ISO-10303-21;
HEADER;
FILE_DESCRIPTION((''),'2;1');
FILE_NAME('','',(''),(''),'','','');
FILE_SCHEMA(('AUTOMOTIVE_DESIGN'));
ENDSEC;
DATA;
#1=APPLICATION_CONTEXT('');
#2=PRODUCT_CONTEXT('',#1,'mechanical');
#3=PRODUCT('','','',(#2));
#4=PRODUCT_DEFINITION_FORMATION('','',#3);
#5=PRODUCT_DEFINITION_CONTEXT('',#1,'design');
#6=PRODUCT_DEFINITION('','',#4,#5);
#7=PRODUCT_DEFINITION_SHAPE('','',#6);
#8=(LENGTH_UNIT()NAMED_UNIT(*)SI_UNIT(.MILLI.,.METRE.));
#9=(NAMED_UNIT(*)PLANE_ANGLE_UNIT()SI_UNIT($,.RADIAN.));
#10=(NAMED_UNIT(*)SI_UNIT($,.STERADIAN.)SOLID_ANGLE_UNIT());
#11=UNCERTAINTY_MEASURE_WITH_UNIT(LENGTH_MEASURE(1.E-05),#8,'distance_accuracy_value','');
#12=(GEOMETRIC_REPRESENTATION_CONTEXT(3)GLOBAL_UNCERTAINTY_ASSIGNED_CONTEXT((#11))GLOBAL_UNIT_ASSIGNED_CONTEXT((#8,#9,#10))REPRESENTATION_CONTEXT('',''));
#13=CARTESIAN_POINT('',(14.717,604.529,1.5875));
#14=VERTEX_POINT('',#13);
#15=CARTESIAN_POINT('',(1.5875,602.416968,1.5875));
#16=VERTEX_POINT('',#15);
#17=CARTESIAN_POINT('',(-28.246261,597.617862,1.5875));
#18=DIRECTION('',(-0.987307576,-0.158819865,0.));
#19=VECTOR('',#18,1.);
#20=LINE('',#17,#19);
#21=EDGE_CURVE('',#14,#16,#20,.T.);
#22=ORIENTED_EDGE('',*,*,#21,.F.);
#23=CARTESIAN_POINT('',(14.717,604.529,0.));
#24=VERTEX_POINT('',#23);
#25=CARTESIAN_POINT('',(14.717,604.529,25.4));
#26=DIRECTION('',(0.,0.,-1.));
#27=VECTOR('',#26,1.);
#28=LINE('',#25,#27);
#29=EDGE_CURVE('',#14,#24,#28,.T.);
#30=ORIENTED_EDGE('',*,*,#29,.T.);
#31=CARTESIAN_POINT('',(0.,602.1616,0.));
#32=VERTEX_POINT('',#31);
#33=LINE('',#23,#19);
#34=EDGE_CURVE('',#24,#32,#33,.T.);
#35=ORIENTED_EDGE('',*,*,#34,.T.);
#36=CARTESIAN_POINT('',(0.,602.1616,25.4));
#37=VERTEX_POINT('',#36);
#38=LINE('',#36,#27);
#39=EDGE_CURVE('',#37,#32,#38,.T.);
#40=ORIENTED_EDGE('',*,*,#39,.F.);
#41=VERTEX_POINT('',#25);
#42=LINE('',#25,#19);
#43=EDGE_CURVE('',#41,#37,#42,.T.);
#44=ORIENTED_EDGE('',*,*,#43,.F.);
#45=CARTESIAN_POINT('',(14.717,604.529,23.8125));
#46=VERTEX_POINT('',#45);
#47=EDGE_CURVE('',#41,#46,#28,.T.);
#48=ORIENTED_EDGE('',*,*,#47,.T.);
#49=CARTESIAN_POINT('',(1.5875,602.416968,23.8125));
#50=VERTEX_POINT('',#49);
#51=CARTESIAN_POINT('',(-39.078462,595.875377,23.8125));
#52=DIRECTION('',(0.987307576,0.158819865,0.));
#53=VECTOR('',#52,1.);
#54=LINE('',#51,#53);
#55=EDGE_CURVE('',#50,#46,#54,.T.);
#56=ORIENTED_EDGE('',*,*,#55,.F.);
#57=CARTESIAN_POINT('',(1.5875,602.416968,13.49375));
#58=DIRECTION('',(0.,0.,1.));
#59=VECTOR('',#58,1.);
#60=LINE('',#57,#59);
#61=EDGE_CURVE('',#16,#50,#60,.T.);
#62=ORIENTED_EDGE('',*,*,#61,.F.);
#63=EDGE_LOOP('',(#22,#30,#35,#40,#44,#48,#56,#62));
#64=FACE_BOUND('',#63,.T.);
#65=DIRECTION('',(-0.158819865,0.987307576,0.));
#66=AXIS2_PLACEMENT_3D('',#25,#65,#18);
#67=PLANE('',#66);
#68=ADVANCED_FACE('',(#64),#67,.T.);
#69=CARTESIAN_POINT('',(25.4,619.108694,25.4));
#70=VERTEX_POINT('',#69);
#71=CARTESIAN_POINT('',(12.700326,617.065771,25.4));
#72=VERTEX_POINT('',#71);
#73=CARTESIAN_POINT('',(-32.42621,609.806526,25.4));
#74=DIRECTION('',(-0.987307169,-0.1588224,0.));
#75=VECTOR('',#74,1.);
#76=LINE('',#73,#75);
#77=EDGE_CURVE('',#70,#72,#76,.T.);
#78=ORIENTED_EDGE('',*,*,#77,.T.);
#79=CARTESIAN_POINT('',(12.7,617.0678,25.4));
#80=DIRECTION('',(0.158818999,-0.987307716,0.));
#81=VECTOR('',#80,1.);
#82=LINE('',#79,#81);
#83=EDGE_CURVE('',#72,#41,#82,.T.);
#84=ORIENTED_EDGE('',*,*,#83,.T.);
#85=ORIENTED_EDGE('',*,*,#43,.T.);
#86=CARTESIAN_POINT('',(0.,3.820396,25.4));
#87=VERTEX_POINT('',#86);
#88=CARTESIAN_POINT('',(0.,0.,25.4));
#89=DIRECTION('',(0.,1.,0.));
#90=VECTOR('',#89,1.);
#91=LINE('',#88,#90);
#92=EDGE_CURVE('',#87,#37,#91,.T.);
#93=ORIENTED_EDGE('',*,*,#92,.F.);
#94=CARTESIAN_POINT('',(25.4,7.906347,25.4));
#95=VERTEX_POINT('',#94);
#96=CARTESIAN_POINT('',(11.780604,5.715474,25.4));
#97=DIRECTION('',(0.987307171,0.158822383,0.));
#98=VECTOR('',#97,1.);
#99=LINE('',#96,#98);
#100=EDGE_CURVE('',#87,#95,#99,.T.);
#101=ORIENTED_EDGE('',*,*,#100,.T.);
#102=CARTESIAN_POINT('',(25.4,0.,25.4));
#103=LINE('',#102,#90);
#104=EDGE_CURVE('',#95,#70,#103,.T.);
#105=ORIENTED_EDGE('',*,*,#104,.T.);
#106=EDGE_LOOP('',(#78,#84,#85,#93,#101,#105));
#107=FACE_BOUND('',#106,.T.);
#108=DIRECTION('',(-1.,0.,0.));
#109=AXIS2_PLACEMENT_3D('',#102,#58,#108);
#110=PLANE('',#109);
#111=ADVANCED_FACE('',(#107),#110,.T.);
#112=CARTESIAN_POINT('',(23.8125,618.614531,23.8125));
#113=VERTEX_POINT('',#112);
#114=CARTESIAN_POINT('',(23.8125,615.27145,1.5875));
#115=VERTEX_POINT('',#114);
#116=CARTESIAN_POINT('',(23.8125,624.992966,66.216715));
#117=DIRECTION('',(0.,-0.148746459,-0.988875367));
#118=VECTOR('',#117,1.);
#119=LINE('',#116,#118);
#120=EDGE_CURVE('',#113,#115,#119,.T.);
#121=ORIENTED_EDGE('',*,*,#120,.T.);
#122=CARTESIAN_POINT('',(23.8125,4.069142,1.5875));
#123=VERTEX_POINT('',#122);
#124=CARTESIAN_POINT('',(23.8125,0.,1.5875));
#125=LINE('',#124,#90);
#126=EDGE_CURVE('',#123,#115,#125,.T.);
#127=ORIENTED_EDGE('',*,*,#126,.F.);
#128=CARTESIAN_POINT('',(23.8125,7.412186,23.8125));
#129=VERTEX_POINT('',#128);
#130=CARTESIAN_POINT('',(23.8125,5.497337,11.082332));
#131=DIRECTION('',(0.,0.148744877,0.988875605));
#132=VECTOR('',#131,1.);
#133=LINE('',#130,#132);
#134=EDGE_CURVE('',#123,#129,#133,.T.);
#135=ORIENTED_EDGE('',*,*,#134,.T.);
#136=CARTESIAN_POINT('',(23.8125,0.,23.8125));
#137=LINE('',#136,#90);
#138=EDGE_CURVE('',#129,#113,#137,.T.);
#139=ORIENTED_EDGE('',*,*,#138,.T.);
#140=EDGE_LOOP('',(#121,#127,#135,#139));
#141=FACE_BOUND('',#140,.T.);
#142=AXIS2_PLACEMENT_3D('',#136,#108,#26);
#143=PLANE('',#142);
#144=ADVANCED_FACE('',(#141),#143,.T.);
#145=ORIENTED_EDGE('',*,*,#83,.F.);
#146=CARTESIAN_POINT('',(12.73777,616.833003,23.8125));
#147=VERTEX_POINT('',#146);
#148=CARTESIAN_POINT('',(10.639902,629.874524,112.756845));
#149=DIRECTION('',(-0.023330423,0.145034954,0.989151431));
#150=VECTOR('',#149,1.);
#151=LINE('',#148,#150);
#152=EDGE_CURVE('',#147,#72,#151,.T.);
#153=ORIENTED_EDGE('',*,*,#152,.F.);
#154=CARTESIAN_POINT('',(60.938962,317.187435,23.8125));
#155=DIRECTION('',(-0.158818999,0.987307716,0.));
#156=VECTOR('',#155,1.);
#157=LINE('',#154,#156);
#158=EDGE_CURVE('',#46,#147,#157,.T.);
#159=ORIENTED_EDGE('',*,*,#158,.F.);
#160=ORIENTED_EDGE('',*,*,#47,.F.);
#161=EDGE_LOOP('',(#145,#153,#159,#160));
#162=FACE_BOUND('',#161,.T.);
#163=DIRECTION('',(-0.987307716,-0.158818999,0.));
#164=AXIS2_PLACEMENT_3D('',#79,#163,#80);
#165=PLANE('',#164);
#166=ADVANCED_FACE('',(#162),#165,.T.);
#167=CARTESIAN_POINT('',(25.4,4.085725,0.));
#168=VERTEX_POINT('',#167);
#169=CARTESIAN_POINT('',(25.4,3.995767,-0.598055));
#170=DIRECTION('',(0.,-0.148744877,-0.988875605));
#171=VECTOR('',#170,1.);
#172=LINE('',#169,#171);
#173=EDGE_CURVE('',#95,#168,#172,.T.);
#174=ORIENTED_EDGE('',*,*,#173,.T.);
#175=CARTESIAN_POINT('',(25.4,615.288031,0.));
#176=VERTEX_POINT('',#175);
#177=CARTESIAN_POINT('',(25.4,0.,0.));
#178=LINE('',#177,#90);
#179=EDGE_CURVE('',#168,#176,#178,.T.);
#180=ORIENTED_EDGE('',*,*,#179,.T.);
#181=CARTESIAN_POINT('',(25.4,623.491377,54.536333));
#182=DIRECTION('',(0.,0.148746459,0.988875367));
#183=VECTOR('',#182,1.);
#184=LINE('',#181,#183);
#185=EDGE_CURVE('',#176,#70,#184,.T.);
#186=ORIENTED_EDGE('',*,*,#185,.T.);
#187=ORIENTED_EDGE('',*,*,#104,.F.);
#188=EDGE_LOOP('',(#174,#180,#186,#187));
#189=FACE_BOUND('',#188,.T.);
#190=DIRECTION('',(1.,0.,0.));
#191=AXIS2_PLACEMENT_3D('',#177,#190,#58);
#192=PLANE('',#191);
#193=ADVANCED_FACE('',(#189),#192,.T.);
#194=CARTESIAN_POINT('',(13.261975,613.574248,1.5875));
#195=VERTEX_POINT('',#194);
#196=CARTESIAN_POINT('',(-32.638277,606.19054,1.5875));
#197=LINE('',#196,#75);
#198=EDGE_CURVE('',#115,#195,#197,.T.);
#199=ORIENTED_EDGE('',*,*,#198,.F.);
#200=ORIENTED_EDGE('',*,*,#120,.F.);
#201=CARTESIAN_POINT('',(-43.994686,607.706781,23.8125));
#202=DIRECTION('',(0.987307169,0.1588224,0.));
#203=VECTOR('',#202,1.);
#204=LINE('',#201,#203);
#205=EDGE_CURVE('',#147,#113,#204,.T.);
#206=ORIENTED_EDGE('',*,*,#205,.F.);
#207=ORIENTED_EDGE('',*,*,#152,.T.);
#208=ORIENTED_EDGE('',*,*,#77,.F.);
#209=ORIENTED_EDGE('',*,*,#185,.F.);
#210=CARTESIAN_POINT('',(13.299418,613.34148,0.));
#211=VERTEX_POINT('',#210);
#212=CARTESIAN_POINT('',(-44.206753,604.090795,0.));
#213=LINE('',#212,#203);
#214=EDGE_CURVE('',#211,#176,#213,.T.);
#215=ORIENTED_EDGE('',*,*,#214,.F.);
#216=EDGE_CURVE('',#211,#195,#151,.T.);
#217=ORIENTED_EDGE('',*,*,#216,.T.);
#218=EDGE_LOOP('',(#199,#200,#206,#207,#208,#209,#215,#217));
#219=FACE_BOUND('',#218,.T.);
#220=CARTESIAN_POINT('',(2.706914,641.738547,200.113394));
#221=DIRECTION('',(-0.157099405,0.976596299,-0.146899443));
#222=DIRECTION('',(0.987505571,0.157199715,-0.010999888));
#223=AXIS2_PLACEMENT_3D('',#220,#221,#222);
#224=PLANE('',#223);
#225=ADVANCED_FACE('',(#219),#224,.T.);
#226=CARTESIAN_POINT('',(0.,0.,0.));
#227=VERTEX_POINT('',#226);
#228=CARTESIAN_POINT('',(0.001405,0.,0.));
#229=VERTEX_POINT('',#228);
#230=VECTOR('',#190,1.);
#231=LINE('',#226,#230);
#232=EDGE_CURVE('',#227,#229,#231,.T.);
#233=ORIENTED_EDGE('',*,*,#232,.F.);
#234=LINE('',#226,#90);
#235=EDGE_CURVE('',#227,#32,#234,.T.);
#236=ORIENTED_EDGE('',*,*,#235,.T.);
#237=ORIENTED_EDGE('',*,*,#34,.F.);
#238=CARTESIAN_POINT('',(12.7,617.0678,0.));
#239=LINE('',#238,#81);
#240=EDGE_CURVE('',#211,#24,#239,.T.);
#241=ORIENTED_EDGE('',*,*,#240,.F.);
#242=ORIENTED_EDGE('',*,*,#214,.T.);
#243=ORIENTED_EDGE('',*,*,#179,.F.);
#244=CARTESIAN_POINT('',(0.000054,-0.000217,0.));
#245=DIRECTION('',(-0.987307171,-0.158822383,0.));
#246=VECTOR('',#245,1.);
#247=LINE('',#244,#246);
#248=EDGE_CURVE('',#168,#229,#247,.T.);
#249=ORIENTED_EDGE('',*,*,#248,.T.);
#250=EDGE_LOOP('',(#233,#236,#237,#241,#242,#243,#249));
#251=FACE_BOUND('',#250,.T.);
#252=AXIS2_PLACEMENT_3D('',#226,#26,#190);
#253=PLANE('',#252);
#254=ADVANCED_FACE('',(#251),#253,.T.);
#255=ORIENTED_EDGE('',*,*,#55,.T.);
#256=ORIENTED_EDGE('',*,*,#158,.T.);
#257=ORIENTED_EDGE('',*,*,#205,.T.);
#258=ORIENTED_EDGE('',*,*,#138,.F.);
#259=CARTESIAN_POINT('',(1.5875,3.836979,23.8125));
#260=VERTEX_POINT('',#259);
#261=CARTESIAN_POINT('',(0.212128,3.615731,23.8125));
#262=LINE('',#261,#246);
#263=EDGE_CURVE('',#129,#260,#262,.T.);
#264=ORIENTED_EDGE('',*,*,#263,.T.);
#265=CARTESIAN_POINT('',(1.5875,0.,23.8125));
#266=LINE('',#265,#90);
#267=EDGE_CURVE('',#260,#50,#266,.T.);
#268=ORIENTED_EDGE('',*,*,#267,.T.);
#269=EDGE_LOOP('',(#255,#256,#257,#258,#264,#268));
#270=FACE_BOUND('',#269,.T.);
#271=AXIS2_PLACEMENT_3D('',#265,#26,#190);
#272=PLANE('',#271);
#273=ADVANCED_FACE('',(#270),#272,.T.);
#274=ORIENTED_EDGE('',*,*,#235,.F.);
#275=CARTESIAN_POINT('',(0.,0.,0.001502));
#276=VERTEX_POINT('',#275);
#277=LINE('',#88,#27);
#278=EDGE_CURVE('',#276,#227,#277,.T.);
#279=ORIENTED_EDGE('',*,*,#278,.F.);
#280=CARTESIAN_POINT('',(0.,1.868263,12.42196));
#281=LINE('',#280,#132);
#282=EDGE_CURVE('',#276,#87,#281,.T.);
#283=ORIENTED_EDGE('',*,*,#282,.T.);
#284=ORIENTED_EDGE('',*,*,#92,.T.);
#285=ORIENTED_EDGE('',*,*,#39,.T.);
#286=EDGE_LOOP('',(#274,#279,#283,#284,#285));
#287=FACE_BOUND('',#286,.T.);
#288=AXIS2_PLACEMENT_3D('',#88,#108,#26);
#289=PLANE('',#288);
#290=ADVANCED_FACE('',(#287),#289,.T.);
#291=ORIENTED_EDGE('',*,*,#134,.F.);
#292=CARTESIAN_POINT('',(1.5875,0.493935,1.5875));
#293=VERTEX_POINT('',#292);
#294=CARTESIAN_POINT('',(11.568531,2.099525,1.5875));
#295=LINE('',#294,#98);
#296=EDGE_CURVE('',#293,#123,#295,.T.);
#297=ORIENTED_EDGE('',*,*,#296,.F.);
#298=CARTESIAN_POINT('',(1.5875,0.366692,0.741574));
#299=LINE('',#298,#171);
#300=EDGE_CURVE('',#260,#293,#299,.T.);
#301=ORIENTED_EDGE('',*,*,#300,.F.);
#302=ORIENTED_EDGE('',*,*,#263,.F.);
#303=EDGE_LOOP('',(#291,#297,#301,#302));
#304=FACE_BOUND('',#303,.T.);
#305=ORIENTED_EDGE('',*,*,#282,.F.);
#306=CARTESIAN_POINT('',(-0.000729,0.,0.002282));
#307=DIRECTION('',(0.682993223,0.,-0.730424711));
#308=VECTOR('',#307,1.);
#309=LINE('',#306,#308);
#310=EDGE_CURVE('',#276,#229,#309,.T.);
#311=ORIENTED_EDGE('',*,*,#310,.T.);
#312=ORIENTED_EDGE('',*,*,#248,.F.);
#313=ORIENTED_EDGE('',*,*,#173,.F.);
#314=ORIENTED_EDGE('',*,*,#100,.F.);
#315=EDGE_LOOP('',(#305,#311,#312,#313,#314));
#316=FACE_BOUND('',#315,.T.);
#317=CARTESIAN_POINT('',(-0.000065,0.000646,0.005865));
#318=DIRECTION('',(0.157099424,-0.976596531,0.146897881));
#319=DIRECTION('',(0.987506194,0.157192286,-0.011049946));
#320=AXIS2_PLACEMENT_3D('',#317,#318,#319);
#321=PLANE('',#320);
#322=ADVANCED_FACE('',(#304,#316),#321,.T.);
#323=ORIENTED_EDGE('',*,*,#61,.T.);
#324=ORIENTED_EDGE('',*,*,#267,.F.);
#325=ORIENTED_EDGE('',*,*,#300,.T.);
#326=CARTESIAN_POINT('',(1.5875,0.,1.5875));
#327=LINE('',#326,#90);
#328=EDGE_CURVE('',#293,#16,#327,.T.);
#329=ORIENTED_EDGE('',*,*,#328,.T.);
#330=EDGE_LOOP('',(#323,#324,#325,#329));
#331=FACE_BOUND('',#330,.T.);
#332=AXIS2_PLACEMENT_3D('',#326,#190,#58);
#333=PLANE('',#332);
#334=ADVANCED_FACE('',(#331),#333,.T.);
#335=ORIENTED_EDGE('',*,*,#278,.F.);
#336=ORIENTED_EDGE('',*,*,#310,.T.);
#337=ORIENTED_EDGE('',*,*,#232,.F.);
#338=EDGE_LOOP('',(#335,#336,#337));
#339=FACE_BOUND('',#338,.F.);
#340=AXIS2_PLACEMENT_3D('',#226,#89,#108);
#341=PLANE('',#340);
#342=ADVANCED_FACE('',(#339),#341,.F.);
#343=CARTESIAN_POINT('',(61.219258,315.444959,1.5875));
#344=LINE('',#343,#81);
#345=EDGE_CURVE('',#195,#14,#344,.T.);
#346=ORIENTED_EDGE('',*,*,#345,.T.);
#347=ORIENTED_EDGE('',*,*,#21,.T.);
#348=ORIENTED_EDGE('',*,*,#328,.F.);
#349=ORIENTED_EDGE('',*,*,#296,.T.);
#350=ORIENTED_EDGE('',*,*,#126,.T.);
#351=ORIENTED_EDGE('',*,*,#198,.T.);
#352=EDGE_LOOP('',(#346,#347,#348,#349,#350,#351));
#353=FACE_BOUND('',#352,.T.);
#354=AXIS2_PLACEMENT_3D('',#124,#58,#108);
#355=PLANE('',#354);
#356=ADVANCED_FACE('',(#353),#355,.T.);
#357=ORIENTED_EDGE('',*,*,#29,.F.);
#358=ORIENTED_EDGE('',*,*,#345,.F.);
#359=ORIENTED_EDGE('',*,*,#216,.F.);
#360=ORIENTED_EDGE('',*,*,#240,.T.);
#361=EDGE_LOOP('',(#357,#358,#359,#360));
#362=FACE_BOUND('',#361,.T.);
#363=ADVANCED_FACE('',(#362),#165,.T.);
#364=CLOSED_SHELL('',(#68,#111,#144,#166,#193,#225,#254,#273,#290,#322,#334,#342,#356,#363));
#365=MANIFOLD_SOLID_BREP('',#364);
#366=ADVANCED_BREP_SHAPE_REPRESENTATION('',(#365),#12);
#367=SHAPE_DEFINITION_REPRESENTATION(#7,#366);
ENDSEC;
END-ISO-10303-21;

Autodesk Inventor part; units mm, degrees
ref_plane "YZ Plane" through (0, 0, 0) normal (1, 0, 0) x (0, 1, 0)
ref_plane "XZ Plane" through (0, 0, 0) normal (0, 1, 0) x (-1, 0, 0)
ref_plane "XY Plane" through (0, 0, 0) normal (0, 0, 1) x (1, 0, 0)
sketch "Sketch1" plane through (0, 0, 0) normal (0, 1, 0) x (-1, 0, 0)
  line L0 (0, 0) -> (-25.4, 0)
  line L1 (-25.4, 0) -> (-25.4, 25.4)
  line L2 (-25.4, 25.4) -> (0, 25.4)
  line L3 (0, 25.4) -> (0, 0)
  line L4 (-1.5875, 23.8125) -> (-23.8125, 23.8125)
  line L5 (-23.8125, 23.8125) -> (-23.8125, 1.5875)
  line L6 (-23.8125, 1.5875) -> (-1.5875, 1.5875)
  line L7 (-1.5875, 1.5875) -> (-1.5875, 23.8125)
  dimension "d0" = 25.4
  dimension "d2" = 25.4
  dimension "d3" = 1.5875
extrude "Extrusion1" add sketch "Sketch1" along normal blind 1016
ref_plane "Work Plane1" through (102.0769, 3.5287, 0.7496) normal (0.0123, -0.1468, -0.9891) x (-0.1571, 0.9766, -0.1469)
sketch "Sketch4" plane through (102.0769, 3.5287, 0.7496) normal (0.0123, -0.1468, -0.9891) x (-0.1571, 0.9766, -0.1469)
  line L0 (12.7, -101.348) -> (12.7, -75.0726)
  line L1 (12.7, -75.0726) -> (-1.1984, -75.0726)
  line L2 (-1.1984, -75.0726) -> (-1.1984, -113.5605)
  line L3 (-1.1984, -113.5605) -> (12.7, -101.348)
extrude "Extrusion3" cut sketch "Sketch4" along normal mid plane 2540
ref_plane "Work Plane2" through (2.7066, 641.7405, 200.1131) normal (-0.1571, 0.9766, -0.1469) x (0.9875, 0.1572, -0.011)
sketch "Sketch5" plane through (2.7066, 641.7405, 200.1131) normal (-0.1571, 0.9766, -0.1469) x (0.9875, 0.1572, -0.011)
  line L0 (-64.0002, -43.7034) -> (-64.0002, 400.9318)
  line L1 (-64.0002, 400.9318) -> (260.4368, 400.9318)
  line L2 (260.4368, 400.9318) -> (260.4368, -43.7034)
  line L3 (260.4368, -43.7034) -> (-64.0002, -43.7034)
  point P0 (-101.348, 292.1)
extrude "Extrusion4" cut sketch "Sketch5" along normal blind 2540
sketch "Sketch6" plane through (0, 3.8207, 25.4) normal (0, 0, 1) x (1, 0, 0)
  line L0 (25.4, 615.2901) -> (0, 611.2042) projected
  line L1 (0, 0) -> (0, 611.2042) projected
  line L2 (0, 0) -> (25.4, 4.0859) projected
  line L3 (12.7, 613.2471) -> (14.717, 600.7083)
  line L4 (14.717, 600.7083) -> (0, 598.3409)
  point P0 (0, -3.8207)
  dimension "d12" = 12.7
extrude "Extrusion5" cut sketch "Sketch6" against normal blind 25.4
properties part number "Square Tube 4"
